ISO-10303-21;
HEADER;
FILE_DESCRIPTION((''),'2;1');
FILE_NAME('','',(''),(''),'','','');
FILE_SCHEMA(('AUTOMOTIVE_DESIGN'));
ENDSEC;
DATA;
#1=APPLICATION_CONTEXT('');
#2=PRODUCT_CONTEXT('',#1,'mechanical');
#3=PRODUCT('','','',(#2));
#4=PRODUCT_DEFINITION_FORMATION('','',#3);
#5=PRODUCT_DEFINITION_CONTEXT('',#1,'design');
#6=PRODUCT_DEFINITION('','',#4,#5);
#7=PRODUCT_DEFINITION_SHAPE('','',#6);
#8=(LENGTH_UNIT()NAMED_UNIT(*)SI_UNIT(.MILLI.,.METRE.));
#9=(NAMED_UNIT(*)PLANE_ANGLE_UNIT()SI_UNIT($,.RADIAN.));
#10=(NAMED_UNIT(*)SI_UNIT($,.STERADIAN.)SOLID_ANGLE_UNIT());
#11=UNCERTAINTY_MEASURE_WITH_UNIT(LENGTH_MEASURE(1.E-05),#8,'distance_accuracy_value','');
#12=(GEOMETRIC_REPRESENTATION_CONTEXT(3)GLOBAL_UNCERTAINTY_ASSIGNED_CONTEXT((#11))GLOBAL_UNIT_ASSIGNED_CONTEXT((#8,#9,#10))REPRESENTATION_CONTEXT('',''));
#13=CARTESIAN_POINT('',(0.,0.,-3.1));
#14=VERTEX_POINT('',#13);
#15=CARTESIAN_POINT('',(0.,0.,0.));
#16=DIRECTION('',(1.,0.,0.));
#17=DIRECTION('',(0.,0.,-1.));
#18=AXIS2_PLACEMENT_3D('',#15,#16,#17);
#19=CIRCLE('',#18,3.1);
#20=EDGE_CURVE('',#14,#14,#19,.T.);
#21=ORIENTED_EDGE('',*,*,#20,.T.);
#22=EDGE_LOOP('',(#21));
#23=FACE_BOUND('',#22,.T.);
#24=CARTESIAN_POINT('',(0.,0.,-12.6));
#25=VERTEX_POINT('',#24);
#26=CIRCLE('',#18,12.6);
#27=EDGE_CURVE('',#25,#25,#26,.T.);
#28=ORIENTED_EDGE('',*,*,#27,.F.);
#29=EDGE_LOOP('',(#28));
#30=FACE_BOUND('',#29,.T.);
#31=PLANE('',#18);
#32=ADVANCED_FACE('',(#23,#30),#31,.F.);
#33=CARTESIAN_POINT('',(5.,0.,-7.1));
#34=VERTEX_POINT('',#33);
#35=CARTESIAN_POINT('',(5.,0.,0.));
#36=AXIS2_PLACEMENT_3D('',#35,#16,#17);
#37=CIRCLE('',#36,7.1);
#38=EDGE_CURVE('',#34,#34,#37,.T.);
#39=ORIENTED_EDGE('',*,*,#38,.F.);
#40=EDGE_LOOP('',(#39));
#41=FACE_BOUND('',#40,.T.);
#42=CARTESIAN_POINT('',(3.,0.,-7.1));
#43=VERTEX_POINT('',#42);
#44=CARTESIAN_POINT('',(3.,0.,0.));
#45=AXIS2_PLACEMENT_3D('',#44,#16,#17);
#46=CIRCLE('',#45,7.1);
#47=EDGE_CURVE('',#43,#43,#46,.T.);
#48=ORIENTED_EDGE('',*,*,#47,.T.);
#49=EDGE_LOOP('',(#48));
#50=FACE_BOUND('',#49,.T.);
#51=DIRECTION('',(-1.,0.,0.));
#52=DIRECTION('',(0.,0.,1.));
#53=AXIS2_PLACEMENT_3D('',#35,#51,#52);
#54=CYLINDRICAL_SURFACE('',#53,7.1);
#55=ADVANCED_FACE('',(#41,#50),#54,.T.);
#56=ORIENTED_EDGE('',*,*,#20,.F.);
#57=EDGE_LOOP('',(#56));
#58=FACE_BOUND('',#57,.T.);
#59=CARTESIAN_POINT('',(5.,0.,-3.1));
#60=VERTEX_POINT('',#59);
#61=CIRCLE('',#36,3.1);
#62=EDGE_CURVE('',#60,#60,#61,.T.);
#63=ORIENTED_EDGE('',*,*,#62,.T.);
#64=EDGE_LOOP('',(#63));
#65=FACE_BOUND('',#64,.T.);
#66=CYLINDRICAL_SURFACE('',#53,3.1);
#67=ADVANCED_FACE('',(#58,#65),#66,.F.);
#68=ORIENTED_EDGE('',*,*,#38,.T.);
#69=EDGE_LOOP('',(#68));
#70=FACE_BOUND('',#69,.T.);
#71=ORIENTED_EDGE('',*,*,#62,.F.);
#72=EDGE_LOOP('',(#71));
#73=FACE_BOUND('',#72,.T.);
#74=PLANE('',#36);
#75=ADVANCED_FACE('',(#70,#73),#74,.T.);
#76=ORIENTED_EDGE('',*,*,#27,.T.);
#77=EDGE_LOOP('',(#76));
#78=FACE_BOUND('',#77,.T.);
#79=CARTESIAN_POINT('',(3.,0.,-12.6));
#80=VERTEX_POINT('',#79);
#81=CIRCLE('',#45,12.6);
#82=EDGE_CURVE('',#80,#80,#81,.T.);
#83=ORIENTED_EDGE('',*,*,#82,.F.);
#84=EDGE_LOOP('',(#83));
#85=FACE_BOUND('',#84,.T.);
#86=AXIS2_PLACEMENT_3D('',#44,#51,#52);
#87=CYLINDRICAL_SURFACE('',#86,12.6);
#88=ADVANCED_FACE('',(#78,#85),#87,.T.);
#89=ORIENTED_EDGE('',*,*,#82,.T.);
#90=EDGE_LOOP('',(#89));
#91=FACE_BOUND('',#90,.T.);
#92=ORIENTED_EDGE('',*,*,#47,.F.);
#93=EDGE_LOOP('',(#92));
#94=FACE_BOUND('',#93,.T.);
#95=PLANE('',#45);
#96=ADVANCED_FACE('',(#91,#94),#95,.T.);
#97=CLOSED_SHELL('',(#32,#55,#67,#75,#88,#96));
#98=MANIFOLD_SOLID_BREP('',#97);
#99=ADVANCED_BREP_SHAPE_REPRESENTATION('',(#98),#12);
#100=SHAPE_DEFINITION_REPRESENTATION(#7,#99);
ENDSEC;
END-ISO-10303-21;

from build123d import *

# Parameters (mm, degrees)
SKETCH1_R           = 12.6
SKETCH1_R_2         = 7.1
BOSS_EXTRUDE1_DEPTH = 3
SKETCH1_4_R         = 7.1
SKETCH1_4_R_2       = 3.1
BOSS_EXTRUDE2_DEPTH = 5


with BuildPart() as part:
    # Sketch1 → Boss-Extrude1 (new body)
    with BuildSketch(Plane(origin=(0, 0, 0), x_dir=(0, 0, -1), z_dir=(1, 0, 0))):
        Circle(SKETCH1_R)
        Circle(SKETCH1_R_2, mode=Mode.SUBTRACT)
    extrude(amount=BOSS_EXTRUDE1_DEPTH)

    # Sketch1<4> → Boss-Extrude2 (add)
    with BuildSketch(Plane(origin=(0, 0, 0), x_dir=(0, 0, -1), z_dir=(1, 0, 0))):
        Circle(SKETCH1_4_R)
        Circle(SKETCH1_4_R_2, mode=Mode.SUBTRACT)
    extrude(amount=BOSS_EXTRUDE2_DEPTH)


solid = part.part
